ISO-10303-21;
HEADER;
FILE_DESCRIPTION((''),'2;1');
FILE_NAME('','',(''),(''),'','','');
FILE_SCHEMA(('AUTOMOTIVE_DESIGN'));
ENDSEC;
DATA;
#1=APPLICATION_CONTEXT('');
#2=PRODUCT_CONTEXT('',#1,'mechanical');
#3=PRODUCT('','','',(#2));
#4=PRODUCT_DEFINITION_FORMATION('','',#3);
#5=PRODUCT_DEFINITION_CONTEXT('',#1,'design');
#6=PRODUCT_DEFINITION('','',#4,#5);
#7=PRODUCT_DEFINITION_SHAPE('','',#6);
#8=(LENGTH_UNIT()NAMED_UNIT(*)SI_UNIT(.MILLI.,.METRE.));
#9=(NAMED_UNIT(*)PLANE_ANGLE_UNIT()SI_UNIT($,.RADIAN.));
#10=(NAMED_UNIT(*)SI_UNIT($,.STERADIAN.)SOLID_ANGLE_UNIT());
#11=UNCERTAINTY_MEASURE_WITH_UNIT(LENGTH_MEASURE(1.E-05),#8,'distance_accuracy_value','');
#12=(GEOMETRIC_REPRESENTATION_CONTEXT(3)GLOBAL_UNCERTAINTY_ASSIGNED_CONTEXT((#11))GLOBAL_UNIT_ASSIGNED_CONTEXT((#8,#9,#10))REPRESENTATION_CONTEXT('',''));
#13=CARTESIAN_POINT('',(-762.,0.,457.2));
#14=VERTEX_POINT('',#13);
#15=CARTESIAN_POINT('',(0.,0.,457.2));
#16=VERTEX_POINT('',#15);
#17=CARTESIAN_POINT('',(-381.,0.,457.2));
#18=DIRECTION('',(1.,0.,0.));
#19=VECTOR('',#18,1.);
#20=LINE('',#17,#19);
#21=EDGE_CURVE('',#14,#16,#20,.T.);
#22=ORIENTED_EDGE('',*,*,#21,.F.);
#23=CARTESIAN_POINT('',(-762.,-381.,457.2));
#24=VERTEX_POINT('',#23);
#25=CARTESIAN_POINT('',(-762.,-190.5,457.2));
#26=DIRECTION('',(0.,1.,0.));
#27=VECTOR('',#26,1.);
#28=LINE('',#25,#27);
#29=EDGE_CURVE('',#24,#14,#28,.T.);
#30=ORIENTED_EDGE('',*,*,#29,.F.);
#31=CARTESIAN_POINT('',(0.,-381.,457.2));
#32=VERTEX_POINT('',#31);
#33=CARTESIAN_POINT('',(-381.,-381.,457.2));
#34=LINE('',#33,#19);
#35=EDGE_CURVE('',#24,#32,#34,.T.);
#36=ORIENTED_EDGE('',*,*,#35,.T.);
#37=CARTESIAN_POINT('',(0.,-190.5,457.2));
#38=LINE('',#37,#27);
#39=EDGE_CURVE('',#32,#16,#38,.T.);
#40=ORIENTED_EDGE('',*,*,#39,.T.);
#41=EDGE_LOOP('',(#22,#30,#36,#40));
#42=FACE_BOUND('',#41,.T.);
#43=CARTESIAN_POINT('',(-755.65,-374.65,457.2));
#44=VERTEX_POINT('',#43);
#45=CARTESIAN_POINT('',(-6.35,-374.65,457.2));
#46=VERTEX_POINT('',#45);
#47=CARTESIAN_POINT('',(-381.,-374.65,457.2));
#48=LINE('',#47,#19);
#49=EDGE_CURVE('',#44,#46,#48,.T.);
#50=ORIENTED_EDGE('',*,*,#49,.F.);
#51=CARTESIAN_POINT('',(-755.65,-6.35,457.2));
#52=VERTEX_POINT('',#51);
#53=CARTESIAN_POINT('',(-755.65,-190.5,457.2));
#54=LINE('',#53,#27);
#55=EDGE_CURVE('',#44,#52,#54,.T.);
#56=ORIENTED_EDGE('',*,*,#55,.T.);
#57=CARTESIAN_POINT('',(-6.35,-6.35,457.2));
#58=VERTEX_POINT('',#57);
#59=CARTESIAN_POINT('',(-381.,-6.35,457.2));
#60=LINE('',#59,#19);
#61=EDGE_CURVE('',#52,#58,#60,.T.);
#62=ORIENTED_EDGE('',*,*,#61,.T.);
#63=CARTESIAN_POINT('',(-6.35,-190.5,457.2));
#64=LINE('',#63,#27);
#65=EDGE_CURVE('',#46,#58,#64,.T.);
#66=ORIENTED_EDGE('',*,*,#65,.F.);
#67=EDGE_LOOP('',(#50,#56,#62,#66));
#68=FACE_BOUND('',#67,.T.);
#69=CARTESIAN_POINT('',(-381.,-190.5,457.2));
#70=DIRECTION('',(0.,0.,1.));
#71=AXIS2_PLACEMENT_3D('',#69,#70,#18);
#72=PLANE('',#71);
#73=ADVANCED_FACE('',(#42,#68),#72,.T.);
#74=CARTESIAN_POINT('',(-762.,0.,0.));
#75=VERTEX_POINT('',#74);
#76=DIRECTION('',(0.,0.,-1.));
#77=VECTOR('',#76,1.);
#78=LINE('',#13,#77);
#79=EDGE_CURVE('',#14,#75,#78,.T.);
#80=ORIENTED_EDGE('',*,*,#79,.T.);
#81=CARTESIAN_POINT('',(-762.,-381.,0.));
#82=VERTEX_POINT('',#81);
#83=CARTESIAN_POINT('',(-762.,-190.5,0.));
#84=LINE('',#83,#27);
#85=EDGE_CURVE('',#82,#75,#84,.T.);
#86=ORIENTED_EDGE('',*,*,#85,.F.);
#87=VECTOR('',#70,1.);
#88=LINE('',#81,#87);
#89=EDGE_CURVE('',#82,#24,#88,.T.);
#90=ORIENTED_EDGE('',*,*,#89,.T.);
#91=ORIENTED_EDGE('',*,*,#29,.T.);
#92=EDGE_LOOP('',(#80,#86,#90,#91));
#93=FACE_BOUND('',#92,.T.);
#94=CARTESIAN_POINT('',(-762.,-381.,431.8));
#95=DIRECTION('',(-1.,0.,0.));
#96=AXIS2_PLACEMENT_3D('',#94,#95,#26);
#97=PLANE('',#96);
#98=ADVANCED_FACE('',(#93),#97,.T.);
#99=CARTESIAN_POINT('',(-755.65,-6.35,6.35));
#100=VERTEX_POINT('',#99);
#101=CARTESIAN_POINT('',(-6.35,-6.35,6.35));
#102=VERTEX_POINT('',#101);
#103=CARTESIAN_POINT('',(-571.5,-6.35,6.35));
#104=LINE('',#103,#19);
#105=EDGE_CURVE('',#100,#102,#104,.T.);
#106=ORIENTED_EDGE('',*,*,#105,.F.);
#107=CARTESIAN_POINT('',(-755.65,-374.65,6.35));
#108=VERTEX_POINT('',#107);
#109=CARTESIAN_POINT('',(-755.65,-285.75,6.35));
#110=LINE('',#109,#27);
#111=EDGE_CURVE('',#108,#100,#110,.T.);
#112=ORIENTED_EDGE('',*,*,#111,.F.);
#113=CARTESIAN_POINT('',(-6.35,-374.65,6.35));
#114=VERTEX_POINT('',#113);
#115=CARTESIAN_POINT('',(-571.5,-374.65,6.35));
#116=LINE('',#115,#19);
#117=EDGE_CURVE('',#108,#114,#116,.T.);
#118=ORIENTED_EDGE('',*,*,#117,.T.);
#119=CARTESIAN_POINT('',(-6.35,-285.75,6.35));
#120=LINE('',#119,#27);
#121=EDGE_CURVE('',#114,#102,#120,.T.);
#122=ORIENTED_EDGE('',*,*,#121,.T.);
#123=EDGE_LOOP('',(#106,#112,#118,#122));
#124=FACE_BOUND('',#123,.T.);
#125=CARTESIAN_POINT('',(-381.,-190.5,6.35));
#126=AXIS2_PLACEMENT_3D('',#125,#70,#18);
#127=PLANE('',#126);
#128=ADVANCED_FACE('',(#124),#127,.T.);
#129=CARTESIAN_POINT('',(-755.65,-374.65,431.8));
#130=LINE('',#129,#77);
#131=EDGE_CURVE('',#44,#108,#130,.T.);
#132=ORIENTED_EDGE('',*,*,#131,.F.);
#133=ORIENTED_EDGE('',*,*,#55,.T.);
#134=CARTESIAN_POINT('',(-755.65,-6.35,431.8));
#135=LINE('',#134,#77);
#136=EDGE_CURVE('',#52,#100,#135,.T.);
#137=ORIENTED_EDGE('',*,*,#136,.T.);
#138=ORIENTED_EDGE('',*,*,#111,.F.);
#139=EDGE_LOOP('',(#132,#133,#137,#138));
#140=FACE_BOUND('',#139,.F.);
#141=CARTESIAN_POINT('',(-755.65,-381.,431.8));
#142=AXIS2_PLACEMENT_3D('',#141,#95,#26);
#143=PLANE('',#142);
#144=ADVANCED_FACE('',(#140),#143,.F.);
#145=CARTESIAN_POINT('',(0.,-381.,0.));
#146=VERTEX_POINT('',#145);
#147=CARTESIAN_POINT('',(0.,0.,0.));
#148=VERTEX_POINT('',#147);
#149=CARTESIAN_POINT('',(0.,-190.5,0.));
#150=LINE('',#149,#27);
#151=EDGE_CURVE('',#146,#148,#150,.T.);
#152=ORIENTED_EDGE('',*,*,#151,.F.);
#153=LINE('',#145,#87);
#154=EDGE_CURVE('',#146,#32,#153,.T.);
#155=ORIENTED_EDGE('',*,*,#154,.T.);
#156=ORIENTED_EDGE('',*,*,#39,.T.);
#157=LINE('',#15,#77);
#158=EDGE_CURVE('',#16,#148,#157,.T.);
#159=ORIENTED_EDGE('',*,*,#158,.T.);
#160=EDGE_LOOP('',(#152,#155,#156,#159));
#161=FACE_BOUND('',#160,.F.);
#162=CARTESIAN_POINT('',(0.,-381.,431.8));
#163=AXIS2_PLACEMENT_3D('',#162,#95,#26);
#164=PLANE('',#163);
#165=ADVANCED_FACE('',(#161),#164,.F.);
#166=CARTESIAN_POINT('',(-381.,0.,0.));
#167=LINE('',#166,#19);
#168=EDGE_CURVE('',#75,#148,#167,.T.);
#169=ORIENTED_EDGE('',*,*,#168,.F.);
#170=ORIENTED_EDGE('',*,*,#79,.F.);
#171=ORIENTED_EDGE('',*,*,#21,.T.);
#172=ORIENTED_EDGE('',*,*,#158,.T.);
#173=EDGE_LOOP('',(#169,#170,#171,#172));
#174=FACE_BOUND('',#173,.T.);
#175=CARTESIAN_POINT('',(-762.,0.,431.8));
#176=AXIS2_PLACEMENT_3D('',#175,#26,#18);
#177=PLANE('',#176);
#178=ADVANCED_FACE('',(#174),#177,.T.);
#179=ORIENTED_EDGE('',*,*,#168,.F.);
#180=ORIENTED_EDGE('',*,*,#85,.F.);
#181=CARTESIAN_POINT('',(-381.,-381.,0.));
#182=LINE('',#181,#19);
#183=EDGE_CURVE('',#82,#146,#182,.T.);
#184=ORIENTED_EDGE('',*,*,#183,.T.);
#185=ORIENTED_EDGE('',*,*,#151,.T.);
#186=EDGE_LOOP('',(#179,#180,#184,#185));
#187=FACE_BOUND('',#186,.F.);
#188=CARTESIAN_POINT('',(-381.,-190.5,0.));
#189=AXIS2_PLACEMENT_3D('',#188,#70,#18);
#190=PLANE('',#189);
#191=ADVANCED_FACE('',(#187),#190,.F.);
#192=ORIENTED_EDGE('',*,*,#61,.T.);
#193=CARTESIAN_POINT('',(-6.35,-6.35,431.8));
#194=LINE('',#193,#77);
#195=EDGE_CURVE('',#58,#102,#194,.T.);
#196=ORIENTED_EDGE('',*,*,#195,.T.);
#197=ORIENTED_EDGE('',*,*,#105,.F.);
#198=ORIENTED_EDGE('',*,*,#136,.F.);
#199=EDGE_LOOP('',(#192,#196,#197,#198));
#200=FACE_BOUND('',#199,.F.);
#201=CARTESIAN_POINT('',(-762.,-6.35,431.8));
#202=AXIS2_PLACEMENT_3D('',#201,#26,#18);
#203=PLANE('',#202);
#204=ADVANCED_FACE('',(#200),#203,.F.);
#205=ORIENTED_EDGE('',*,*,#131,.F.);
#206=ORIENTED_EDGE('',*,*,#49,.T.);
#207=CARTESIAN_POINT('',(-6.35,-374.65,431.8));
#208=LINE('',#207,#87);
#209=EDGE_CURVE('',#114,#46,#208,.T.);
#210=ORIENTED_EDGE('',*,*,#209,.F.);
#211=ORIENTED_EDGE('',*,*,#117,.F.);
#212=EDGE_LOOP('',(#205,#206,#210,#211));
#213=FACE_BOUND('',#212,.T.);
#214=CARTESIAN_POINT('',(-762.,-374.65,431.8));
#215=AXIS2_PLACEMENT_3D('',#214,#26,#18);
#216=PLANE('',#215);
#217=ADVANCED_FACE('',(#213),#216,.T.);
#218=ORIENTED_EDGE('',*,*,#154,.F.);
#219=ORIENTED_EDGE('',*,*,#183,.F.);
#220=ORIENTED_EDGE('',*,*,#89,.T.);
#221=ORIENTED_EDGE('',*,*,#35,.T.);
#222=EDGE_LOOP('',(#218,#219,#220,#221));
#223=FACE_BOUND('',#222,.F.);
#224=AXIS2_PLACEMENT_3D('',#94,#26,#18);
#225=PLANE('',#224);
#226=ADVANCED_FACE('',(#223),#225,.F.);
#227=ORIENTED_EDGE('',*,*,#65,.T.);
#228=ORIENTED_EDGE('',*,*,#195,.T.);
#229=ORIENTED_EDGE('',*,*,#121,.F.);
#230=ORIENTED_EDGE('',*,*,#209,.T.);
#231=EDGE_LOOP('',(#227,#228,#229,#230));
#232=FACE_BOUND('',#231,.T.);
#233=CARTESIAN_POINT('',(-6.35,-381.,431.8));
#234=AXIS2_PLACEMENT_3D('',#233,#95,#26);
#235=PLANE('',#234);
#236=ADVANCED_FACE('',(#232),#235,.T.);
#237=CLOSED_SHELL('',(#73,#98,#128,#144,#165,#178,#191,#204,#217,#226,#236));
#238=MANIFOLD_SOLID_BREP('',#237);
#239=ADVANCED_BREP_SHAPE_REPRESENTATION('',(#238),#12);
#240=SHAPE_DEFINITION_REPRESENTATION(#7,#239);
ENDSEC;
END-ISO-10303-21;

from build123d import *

# Parameters (mm, degrees)
F0_W     = 762
F0_H     = 381
F1_DEPTH = 431.8
F2_DEPTH = 25.4
F3_T     = -6.35


with BuildPart() as f1:
    # F0 (on Top) → F1 (new body)
    with BuildSketch(Plane.XY):
        with Locations((-381, -190.5)):
            Rectangle(F0_W, F0_H)
    extrude(amount=F1_DEPTH)

    # F2 (add): a face of the model
    f2_faces = [f1.faces().sort_by_distance(p)[0] for p in [
        (-381, -190.5, 431.8),
    ]]
    extrude(f2_faces, amount=F2_DEPTH)

    # F3
    f3_openings = [f1.faces().sort_by_distance(p)[0] for p in [
        (-381, -190.5, 457.2),
    ]]
    offset(amount=F3_T, openings=f3_openings)


solid = f1.part
